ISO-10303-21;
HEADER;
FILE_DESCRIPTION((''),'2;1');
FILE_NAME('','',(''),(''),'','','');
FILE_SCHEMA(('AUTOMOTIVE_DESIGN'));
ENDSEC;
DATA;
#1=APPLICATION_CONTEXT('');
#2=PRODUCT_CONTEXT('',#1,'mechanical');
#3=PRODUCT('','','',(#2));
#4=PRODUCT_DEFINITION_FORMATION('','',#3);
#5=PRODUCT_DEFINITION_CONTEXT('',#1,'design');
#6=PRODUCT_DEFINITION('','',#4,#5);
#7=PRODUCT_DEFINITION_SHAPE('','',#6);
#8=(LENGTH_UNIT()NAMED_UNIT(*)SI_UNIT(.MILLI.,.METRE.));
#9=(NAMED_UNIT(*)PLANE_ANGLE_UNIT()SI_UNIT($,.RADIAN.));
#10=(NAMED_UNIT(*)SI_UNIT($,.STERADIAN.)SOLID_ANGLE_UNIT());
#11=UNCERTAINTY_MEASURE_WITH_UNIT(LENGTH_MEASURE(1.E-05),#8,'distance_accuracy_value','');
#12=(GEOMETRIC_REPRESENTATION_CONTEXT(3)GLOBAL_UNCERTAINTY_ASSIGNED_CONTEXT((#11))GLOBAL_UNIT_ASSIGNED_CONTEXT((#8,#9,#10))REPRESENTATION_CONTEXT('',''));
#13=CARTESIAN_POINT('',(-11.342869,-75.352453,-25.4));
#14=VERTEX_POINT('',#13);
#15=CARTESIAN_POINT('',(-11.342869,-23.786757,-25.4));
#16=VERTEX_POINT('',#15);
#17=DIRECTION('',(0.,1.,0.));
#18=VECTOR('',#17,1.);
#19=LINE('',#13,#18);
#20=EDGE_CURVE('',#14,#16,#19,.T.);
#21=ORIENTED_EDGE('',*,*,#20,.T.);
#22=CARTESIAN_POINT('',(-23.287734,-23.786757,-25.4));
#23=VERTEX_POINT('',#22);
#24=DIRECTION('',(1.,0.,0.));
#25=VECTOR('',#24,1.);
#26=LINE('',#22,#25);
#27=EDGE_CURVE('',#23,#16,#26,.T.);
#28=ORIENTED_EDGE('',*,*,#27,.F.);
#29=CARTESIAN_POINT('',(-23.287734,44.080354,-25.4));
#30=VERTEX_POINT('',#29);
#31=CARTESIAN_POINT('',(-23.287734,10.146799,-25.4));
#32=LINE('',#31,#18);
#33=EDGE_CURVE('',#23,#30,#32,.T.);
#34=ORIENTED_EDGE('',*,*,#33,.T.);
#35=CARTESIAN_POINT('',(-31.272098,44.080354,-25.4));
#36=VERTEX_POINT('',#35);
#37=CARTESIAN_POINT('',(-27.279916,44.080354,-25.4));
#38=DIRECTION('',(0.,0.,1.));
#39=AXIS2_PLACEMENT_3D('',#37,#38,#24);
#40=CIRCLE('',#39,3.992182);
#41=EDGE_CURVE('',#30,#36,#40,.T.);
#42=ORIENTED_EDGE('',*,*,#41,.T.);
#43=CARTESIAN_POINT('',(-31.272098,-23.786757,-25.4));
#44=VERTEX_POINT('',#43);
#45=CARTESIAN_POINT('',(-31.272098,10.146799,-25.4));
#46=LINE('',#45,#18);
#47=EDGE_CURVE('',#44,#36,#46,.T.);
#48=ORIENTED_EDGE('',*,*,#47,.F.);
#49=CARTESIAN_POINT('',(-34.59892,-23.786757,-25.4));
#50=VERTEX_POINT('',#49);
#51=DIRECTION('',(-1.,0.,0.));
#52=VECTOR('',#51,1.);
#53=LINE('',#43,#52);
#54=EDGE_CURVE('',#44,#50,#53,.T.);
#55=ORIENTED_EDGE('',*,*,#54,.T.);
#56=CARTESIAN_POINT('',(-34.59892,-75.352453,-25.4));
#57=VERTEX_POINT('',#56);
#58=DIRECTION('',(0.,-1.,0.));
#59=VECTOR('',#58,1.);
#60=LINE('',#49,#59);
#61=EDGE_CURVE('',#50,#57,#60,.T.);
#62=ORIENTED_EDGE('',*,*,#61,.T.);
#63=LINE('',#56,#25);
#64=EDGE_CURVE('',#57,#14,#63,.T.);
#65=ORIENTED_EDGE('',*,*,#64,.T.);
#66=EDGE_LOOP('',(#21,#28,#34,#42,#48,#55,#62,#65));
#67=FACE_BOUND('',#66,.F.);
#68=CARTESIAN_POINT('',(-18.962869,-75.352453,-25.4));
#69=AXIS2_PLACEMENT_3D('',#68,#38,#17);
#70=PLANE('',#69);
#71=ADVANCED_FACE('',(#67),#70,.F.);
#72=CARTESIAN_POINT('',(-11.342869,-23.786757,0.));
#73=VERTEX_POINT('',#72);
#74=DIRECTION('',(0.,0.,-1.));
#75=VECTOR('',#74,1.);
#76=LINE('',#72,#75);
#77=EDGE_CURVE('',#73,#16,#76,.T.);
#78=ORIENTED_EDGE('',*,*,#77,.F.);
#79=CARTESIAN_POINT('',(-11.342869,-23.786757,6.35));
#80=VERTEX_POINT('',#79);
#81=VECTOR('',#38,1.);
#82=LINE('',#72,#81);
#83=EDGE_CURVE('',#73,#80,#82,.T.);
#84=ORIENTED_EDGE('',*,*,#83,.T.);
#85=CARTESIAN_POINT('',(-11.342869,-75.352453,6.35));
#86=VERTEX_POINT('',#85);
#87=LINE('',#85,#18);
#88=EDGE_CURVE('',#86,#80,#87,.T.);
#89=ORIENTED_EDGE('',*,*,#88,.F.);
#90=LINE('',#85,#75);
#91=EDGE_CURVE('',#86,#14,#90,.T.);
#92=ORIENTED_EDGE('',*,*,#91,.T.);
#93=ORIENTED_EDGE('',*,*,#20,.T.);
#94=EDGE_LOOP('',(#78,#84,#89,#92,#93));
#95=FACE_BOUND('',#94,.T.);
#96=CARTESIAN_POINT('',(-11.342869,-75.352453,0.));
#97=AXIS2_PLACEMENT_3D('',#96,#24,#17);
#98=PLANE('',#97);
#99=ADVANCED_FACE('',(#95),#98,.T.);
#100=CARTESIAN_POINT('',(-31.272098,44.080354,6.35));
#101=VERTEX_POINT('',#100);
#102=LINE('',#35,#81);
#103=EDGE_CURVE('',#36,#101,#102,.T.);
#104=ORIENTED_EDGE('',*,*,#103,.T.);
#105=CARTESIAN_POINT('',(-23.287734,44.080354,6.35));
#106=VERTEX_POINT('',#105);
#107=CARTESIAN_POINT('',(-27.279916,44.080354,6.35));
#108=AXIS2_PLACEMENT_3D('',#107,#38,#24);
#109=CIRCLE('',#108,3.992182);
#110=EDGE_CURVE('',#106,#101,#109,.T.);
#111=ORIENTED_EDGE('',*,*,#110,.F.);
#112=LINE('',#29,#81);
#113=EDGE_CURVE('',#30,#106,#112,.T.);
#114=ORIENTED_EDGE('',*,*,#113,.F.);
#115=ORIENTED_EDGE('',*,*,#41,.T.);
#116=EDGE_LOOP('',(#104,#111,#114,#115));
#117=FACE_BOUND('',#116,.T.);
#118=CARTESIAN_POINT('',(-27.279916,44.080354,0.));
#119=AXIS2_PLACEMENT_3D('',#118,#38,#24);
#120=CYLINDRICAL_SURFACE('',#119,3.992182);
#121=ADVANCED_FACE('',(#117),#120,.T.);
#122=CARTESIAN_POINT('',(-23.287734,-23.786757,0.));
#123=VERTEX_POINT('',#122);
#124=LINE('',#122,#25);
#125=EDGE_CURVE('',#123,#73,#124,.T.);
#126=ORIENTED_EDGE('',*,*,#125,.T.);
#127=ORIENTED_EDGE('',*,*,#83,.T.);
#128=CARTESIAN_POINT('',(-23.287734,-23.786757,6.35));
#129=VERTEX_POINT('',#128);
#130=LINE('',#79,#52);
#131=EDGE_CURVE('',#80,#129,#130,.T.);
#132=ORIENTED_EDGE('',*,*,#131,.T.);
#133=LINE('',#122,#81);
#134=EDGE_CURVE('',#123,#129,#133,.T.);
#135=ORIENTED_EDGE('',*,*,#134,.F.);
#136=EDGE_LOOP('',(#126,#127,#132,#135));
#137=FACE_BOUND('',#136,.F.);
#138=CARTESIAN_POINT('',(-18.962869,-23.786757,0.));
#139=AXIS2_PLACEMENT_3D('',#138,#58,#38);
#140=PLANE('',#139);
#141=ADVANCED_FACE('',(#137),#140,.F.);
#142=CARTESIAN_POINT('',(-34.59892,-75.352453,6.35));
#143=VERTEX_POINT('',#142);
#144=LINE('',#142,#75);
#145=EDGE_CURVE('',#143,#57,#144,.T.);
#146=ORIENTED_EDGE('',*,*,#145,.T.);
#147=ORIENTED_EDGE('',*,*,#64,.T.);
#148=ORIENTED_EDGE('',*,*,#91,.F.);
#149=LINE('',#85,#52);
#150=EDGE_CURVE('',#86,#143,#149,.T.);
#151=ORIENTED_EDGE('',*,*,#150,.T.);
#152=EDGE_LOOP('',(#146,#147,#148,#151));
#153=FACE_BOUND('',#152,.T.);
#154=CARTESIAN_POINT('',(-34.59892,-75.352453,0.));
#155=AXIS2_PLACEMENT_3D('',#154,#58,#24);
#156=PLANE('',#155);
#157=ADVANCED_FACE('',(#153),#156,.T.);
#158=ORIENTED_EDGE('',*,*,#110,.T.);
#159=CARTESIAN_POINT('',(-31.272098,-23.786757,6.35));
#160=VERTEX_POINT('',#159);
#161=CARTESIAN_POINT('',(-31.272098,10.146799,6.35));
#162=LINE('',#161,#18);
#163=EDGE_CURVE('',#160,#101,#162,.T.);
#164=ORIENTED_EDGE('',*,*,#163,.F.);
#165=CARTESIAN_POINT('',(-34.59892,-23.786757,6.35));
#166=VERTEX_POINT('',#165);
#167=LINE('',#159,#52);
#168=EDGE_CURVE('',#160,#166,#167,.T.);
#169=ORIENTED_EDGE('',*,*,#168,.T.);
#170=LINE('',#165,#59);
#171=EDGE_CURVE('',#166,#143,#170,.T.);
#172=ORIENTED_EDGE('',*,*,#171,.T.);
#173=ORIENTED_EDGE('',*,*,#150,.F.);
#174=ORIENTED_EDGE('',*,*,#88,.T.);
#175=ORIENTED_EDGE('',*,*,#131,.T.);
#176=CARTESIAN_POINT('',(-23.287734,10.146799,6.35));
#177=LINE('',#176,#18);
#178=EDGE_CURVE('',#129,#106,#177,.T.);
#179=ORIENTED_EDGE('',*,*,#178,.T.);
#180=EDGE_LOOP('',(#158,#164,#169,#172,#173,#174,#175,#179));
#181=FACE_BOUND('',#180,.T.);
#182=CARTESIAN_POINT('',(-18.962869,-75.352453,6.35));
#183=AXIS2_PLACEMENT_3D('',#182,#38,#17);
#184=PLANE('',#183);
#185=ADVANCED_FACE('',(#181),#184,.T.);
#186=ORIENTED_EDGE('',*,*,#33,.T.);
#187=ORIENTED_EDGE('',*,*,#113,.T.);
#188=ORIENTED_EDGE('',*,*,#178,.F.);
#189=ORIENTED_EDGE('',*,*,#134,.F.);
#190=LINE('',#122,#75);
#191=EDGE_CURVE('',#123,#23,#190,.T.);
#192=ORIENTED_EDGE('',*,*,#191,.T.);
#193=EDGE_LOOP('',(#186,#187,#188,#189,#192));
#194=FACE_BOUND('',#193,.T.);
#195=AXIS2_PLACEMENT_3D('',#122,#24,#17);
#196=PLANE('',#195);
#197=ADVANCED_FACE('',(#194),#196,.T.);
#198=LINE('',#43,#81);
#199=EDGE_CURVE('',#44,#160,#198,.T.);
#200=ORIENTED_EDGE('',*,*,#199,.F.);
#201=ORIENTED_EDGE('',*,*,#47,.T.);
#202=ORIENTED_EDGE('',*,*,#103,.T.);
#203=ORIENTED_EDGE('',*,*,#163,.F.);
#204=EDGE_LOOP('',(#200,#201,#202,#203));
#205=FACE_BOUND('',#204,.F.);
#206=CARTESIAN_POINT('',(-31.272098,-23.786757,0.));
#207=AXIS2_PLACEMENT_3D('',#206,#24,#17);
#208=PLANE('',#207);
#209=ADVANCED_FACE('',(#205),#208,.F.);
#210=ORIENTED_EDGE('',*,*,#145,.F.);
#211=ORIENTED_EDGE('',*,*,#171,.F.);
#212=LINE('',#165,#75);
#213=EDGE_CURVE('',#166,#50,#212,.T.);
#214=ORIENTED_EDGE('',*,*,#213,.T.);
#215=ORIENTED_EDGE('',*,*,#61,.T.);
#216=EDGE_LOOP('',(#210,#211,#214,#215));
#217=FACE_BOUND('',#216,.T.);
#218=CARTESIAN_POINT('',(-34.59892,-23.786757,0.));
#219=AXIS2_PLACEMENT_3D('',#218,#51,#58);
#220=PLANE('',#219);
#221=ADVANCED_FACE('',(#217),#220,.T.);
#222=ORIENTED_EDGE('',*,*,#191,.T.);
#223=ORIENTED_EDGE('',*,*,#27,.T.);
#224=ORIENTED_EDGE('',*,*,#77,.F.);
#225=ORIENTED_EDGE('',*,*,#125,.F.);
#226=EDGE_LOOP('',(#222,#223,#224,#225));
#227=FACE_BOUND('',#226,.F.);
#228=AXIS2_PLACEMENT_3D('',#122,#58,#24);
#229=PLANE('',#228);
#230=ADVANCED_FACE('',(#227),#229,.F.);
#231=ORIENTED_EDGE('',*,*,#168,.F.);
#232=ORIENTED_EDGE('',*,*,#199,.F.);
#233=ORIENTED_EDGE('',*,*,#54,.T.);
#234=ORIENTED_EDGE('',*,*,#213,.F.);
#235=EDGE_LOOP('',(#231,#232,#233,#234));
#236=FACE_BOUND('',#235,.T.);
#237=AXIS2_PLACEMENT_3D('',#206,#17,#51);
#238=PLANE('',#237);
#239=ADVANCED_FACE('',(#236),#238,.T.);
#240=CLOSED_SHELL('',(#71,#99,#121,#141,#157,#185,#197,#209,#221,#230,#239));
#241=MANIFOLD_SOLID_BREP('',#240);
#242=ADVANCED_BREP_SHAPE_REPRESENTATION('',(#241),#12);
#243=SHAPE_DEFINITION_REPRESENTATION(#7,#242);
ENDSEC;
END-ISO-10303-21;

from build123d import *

# Parameters (mm, degrees)
F0_W     = 7.9843644053
F0_H     = 67.8671114147
F1_DEPTH = 6.35
F2_DEPTH = 7.62
F3_DEPTH = 25.4


with BuildPart() as f1:
    # F0 (on Top) → F1 (new body)
    with BuildSketch(Plane.XY):
        with Locations((-27.2799162194, 10.146798566)):
            Rectangle(F0_W, F0_H)
        with BuildLine():
            ThreePointArc((-23.2877340168, 44.0803542733), (-27.2799162194, 48.072536476), (-31.2720984221, 44.0803542733))
            Line((-31.2720984221, 44.0803542733), (-23.2877340168, 44.0803542733))
        make_face()
        Polygon((-34.5989204943, -23.7867571414), (-34.5989204943, -75.3524526954), (-18.9628694206, -75.3524526954), (-18.9628694206, -23.7867571414), (-23.2877340168, -23.7867571414), (-31.2720984221, -23.7867571414), align=None)
    extrude(amount=F1_DEPTH)

    # F2 (add): a face of the model
    f2_faces = [f1.faces().sort_by_distance(p)[0] for p in [
        (-18.9628694206, -49.5696049184, 3.175),
    ]]
    extrude(f2_faces, amount=F2_DEPTH)

    # F3 (add): a face of the model
    f3_faces = [f1.faces().sort_by_distance(p)[0] for p in [
        (-24.3540524425, -29.8961498867, 0),
    ]]
    extrude(f3_faces, amount=F3_DEPTH)


solid = f1.part
